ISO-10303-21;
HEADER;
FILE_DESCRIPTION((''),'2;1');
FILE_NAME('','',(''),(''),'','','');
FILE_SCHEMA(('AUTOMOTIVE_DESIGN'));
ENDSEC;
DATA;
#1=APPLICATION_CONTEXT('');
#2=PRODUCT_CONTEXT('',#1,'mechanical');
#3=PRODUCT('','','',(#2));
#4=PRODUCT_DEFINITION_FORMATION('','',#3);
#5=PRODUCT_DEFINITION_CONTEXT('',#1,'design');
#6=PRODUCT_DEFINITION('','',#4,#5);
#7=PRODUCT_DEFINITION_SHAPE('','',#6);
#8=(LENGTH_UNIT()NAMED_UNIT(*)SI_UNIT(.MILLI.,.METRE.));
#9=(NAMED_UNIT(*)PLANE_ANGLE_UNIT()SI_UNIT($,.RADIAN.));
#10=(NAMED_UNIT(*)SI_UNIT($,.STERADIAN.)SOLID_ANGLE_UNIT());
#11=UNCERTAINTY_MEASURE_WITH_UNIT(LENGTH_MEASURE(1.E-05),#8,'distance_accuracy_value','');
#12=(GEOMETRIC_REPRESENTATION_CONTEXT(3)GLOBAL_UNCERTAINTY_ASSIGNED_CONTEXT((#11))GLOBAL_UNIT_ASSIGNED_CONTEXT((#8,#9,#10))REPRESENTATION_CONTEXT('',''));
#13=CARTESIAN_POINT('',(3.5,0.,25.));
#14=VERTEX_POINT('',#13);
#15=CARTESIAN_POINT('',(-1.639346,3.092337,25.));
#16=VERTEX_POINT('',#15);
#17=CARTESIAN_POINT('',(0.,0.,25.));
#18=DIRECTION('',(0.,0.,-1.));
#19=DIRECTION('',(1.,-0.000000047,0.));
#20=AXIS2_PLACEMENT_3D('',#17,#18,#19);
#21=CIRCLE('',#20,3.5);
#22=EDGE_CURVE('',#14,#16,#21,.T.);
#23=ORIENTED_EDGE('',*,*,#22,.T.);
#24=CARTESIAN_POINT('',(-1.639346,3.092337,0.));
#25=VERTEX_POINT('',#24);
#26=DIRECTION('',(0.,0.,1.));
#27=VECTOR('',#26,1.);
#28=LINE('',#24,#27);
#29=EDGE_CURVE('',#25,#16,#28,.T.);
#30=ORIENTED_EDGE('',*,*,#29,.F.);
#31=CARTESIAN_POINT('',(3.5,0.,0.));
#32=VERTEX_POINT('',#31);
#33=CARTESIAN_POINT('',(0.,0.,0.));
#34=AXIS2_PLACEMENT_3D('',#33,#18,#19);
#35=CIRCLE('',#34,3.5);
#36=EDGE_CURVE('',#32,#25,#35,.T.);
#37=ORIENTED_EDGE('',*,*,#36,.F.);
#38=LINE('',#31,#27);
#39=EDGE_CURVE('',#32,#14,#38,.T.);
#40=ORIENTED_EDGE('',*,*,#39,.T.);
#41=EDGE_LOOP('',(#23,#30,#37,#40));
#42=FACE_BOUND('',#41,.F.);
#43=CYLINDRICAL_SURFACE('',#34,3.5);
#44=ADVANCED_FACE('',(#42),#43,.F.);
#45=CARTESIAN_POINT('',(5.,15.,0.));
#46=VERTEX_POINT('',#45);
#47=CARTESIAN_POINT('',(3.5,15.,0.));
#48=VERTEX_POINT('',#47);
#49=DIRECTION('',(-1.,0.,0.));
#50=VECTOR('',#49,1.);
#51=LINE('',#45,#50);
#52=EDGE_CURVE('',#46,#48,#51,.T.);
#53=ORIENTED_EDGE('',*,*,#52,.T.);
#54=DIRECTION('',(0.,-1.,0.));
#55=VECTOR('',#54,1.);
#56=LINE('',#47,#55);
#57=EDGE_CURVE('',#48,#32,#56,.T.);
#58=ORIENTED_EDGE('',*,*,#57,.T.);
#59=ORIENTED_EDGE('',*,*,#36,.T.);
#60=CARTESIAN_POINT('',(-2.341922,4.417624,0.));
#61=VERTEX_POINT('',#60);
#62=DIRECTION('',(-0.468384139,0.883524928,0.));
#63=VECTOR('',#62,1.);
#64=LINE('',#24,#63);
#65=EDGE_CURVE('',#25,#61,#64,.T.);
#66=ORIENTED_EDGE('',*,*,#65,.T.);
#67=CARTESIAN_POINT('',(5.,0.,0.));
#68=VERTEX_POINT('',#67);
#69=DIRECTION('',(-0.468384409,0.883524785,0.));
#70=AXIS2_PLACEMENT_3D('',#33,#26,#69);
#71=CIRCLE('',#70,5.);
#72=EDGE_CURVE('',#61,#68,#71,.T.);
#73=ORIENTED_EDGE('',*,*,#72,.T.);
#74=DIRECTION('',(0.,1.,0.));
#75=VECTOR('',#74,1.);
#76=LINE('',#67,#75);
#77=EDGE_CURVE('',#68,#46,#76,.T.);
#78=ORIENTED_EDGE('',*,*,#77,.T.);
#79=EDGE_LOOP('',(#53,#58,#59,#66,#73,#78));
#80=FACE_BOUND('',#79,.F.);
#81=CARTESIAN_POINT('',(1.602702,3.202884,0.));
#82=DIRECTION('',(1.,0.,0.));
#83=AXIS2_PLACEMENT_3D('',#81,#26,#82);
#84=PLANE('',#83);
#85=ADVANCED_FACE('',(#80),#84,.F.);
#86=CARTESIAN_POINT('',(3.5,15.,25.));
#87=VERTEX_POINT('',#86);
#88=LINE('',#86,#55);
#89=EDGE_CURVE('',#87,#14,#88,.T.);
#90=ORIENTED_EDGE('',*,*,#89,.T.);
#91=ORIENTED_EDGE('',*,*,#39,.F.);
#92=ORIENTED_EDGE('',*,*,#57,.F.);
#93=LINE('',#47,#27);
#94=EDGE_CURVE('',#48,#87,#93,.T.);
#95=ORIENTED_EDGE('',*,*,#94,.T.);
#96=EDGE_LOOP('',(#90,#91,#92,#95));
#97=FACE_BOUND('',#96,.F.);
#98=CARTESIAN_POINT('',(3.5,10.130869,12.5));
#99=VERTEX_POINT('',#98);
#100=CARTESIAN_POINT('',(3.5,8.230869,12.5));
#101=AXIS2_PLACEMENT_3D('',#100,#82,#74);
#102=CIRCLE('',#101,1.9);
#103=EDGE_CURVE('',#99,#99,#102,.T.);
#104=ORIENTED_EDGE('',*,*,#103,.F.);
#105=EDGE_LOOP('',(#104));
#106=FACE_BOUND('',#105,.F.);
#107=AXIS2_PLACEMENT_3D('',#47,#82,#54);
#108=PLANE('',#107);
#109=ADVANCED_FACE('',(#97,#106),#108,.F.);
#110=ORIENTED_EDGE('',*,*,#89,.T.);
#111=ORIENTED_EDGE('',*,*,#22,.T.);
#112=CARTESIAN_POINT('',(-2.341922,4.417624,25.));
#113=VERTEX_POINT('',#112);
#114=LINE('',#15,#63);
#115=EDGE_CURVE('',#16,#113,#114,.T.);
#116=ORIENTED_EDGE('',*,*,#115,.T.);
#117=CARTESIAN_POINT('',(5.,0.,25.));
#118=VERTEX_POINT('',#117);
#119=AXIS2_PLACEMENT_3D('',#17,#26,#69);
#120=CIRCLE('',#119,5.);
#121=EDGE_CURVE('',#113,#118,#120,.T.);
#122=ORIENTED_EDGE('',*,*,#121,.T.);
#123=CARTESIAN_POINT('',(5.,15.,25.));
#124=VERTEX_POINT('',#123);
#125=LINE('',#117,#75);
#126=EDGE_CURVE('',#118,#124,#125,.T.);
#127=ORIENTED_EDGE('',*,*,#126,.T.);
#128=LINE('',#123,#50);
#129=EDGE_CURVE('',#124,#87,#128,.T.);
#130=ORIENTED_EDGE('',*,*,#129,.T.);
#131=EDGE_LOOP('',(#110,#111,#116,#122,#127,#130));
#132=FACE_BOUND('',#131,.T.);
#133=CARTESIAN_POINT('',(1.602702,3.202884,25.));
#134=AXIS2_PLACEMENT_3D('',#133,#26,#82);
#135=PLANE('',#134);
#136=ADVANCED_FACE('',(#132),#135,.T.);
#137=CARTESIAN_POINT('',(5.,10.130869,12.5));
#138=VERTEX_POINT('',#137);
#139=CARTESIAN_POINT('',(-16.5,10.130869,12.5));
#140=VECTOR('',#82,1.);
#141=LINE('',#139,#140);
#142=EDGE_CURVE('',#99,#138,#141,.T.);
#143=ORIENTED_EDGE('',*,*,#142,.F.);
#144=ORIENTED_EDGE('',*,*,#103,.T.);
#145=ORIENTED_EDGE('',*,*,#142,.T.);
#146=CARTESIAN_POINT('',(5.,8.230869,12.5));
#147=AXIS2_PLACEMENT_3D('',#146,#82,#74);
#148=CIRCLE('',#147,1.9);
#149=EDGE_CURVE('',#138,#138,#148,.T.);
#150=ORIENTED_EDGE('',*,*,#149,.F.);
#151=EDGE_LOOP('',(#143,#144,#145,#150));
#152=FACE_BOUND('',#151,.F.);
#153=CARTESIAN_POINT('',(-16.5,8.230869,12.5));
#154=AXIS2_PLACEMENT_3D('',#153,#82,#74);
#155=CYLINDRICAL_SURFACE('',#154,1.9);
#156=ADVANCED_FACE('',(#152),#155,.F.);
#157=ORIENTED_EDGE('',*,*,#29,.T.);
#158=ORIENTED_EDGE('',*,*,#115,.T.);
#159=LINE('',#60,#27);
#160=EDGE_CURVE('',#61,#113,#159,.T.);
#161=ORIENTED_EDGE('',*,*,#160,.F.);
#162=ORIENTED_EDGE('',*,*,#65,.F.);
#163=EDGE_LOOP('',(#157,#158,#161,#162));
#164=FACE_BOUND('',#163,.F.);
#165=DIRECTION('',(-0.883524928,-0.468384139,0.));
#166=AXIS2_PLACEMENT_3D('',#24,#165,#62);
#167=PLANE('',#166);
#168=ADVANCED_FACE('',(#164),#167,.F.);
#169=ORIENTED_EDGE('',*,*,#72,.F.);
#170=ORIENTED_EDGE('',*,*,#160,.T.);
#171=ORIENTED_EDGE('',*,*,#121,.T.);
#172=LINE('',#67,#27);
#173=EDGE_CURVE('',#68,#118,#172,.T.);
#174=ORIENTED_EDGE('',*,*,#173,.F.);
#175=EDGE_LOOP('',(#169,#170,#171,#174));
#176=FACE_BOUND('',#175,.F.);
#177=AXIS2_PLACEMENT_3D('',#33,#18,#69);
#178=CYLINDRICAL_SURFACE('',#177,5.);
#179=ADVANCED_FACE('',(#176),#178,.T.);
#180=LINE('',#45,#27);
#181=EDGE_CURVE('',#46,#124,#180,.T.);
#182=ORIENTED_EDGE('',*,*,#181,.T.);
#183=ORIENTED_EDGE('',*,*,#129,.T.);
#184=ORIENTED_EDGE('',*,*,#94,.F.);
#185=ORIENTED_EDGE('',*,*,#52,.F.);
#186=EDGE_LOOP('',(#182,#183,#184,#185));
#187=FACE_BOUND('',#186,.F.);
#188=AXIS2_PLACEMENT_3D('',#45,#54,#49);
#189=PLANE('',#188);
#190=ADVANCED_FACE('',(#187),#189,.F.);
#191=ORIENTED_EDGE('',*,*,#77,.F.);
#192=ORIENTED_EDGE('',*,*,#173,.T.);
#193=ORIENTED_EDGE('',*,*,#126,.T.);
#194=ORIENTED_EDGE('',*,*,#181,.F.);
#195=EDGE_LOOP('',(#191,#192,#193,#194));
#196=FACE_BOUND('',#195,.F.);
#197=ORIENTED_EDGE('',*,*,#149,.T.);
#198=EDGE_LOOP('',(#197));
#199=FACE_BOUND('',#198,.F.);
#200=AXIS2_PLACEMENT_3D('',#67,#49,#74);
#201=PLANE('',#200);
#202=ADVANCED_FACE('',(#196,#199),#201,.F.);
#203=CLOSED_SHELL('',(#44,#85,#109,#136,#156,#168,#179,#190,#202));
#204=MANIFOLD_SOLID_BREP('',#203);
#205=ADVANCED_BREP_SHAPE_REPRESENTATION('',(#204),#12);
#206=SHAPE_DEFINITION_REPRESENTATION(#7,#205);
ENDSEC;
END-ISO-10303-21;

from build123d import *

# Parameters (mm, degrees)
F1_DEPTH = 25
F3_D     = 3.8
F3_DEPTH = 20


with BuildPart() as f1:
    # F0 (on Top) → F1 (new body)
    with BuildSketch(Plane.XY):
        with BuildLine():
            ThreePointArc((3.5, 0), (-1.804479, -2.998976), (-1.639346, 3.092337))
            Line((-1.639346, 3.092337), (-2.341922, 4.417624))
            ThreePointArc((-2.341922, 4.417624), (-2.577827, -4.284251), (5, 0))
            Line((5, 0), (5, 15))
            Line((5, 15), (3.5, 15))
            Line((3.5, 15), (3.5, 0))
        make_face()
    extrude(amount=F1_DEPTH)

    # F3
    with Locations(Plane(origin=(3.5, 0, 0), x_dir=(0, -1, 0), z_dir=(-1, 0, 0))):
        with Locations((-8.230869, 12.5)):
            Hole(F3_D / 2, depth=F3_DEPTH)


solid = f1.part
